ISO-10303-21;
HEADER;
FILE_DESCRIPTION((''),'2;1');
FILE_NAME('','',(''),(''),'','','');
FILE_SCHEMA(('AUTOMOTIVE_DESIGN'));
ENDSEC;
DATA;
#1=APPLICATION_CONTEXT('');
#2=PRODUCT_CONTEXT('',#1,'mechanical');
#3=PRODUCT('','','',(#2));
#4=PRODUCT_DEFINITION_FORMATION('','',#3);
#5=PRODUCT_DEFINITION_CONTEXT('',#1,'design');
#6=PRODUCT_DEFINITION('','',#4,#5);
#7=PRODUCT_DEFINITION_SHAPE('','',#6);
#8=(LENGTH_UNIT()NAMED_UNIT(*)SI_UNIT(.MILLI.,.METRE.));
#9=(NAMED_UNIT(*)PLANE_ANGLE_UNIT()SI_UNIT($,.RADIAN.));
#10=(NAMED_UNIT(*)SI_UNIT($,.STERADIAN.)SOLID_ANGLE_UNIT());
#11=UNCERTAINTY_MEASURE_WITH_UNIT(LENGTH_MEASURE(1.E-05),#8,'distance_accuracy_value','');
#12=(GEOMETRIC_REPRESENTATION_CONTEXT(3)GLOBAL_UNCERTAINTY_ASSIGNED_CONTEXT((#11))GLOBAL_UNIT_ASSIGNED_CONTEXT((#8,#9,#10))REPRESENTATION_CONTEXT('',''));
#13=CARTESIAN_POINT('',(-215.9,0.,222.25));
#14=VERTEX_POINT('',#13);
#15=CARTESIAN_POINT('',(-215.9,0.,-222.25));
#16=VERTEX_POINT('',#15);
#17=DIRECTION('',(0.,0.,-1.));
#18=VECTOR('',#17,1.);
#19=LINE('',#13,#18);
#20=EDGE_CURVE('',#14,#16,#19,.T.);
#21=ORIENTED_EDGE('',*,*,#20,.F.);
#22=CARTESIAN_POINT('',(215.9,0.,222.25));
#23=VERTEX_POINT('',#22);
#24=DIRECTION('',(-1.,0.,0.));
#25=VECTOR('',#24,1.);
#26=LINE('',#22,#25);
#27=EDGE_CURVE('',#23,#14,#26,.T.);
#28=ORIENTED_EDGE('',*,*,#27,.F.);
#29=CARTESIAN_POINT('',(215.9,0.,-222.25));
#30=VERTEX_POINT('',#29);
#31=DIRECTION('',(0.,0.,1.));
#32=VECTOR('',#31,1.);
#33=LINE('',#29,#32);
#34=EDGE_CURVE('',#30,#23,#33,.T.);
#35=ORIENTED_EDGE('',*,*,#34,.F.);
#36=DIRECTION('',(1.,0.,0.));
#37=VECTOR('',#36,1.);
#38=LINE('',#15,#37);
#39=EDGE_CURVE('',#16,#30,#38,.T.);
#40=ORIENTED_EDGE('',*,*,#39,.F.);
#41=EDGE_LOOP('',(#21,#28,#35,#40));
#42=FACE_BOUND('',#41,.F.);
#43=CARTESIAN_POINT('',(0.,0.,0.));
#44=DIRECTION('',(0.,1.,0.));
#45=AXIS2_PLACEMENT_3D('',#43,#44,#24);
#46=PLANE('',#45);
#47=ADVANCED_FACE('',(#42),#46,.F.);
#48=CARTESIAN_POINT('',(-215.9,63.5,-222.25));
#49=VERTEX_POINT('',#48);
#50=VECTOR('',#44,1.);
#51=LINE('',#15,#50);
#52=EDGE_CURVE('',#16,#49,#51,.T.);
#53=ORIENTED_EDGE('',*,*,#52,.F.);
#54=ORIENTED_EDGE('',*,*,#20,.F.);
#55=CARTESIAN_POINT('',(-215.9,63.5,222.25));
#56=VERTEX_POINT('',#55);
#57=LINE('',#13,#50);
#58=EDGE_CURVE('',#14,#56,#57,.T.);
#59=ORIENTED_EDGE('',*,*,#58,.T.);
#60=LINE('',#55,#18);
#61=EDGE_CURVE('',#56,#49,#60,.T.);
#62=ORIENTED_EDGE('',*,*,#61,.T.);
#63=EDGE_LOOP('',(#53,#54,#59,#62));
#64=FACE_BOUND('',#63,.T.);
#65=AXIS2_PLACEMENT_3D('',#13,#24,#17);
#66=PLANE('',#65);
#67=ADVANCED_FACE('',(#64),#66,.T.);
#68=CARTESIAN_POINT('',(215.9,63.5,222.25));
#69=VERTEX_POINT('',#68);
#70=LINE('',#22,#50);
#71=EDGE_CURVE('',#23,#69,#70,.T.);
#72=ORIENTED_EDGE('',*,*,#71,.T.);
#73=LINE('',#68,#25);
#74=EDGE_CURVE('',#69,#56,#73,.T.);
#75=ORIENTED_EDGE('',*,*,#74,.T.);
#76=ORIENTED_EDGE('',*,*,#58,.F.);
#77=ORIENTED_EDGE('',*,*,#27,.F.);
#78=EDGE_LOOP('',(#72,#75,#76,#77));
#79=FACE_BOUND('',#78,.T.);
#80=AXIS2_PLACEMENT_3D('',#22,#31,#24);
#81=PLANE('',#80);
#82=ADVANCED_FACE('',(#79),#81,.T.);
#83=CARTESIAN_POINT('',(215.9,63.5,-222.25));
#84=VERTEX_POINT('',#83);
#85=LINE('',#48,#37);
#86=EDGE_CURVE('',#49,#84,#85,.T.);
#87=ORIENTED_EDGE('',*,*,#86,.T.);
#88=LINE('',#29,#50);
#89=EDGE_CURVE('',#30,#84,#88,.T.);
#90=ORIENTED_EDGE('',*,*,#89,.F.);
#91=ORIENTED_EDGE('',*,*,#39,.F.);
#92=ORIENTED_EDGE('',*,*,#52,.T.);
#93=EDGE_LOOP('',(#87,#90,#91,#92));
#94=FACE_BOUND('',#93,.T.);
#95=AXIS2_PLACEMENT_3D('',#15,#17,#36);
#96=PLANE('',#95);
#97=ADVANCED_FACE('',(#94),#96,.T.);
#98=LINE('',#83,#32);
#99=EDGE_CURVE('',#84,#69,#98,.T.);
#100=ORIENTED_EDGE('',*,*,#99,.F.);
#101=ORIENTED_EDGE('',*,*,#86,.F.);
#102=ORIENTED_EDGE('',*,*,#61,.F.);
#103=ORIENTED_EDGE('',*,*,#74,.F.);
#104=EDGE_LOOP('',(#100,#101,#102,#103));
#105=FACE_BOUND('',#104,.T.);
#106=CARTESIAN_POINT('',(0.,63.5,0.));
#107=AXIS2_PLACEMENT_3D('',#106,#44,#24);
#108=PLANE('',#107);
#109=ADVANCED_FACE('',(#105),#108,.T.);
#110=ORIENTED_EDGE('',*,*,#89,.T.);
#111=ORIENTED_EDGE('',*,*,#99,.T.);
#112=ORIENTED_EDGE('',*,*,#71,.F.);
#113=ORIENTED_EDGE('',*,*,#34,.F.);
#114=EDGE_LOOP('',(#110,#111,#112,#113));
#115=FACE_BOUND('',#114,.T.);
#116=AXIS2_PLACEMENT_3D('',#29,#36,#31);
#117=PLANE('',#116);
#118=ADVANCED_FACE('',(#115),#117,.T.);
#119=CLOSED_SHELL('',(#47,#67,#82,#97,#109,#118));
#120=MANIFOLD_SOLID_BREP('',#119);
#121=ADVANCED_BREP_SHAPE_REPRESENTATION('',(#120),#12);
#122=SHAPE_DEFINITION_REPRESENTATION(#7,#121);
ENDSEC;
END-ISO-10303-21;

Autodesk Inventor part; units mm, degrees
ref_plane "YZ Plane" through (0, 0, 0) normal (1, 0, 0) x (0, 1, 0)
ref_plane "XZ Plane" through (0, 0, 0) normal (0, 1, 0) x (-1, 0, 0)
ref_plane "XY Plane" through (0, 0, 0) normal (0, 0, 1) x (1, 0, 0)
sketch "Sketch1" plane through (0, 0, 0) normal (0, 1, 0) x (-1, 0, 0)
  line L0 (215.9, -222.25) -> (-215.9, -222.25)
  line L1 (-215.9, -222.25) -> (-215.9, 222.25)
  line L2 (-215.9, 222.25) -> (215.9, 222.25)
  line L3 (215.9, 222.25) -> (215.9, -222.25)
  line L4 (215.9, -222.25) -> (-215.9, 222.25) construction
  line L5 (-215.9, -222.25) -> (215.9, 222.25) construction
  point P0 (0, 0)
  dimension "d0" = 431.8
  dimension "d1" = 444.5
extrude "Extrusion1" add sketch "Sketch1" along normal blind 63.5
properties part number "A - Split face veneer - 10" material "Granite, Cut, Polished"
